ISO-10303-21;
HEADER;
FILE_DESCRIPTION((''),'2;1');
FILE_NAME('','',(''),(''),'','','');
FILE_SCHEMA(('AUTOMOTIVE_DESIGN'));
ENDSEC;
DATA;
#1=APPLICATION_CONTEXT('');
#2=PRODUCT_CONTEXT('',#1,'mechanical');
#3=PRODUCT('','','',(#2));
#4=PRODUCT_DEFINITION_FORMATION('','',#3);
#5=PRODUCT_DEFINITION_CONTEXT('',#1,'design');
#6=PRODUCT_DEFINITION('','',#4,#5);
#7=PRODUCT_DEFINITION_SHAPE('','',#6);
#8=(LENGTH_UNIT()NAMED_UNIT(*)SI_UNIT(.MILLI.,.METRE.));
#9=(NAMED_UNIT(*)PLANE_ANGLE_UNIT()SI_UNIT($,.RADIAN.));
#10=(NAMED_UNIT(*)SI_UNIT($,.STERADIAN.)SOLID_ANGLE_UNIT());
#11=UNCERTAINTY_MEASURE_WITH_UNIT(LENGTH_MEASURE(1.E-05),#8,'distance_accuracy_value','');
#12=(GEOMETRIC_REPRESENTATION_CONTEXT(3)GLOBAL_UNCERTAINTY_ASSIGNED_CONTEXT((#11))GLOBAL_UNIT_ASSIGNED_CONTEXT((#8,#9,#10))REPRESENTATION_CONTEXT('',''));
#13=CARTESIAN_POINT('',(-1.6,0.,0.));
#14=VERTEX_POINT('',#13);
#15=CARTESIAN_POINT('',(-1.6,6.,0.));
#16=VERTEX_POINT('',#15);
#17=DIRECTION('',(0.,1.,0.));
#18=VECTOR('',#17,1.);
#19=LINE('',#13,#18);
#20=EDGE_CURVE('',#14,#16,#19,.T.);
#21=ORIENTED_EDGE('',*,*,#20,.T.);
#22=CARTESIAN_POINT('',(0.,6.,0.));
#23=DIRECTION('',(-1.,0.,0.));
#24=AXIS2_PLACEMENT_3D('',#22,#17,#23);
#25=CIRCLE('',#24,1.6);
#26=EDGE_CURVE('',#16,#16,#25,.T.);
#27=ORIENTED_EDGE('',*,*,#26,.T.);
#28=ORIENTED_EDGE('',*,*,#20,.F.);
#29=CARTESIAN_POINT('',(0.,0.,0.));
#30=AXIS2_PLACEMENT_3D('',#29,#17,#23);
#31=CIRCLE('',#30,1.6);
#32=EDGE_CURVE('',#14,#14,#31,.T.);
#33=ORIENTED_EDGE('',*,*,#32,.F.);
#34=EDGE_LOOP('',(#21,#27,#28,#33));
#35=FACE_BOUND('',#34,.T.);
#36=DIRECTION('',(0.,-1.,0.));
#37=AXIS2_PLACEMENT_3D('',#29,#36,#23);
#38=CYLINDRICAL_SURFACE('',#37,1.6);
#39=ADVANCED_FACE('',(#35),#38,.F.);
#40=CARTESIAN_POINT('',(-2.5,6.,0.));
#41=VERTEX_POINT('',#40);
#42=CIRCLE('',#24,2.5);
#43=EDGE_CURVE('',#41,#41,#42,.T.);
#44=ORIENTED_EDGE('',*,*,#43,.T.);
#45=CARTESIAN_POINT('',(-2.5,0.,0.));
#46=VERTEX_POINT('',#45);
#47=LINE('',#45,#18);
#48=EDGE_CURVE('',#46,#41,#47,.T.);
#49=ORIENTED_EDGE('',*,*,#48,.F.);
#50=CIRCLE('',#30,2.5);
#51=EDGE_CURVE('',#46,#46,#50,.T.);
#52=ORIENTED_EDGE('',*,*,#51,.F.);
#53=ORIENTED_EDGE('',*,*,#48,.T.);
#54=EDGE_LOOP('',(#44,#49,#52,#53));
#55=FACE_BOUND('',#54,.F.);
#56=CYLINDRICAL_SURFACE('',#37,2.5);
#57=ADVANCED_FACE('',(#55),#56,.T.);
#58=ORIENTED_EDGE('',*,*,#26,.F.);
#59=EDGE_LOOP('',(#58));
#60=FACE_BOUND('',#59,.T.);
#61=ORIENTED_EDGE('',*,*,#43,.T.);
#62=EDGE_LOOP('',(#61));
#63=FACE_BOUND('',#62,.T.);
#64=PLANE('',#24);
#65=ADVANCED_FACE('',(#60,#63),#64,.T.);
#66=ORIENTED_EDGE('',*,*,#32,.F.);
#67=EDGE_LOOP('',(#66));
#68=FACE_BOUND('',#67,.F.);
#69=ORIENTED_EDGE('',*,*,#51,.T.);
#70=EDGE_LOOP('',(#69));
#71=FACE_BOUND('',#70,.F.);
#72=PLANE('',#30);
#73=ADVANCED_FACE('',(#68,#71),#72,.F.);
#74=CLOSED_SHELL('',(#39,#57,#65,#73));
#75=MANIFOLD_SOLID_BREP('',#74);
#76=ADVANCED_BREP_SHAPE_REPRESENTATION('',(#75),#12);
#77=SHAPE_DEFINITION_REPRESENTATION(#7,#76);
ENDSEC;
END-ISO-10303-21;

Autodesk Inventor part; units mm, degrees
ref_plane "YZ Plane" through (0, 0, 0) normal (1, 0, 0) x (0, 1, 0)
ref_plane "XZ Plane" through (0, 0, 0) normal (0, 1, 0) x (-1, 0, 0)
ref_plane "XY Plane" through (0, 0, 0) normal (0, 0, 1) x (1, 0, 0)
sketch "Sketch1" plane through (0, 0, 0) normal (0, 1, 0) x (-1, 0, 0)
  circle A0 centre (0, 0) radius 1.6
  circle A1 centre (0, 0) radius 2.5
  dimension "d0" = 3.2
  dimension "d1" = 5
extrude "Extrusion1" add sketch "Sketch1" along normal blind 6
properties part number "UltrasonicInfraredPCBConnector-(FusionThread)"
